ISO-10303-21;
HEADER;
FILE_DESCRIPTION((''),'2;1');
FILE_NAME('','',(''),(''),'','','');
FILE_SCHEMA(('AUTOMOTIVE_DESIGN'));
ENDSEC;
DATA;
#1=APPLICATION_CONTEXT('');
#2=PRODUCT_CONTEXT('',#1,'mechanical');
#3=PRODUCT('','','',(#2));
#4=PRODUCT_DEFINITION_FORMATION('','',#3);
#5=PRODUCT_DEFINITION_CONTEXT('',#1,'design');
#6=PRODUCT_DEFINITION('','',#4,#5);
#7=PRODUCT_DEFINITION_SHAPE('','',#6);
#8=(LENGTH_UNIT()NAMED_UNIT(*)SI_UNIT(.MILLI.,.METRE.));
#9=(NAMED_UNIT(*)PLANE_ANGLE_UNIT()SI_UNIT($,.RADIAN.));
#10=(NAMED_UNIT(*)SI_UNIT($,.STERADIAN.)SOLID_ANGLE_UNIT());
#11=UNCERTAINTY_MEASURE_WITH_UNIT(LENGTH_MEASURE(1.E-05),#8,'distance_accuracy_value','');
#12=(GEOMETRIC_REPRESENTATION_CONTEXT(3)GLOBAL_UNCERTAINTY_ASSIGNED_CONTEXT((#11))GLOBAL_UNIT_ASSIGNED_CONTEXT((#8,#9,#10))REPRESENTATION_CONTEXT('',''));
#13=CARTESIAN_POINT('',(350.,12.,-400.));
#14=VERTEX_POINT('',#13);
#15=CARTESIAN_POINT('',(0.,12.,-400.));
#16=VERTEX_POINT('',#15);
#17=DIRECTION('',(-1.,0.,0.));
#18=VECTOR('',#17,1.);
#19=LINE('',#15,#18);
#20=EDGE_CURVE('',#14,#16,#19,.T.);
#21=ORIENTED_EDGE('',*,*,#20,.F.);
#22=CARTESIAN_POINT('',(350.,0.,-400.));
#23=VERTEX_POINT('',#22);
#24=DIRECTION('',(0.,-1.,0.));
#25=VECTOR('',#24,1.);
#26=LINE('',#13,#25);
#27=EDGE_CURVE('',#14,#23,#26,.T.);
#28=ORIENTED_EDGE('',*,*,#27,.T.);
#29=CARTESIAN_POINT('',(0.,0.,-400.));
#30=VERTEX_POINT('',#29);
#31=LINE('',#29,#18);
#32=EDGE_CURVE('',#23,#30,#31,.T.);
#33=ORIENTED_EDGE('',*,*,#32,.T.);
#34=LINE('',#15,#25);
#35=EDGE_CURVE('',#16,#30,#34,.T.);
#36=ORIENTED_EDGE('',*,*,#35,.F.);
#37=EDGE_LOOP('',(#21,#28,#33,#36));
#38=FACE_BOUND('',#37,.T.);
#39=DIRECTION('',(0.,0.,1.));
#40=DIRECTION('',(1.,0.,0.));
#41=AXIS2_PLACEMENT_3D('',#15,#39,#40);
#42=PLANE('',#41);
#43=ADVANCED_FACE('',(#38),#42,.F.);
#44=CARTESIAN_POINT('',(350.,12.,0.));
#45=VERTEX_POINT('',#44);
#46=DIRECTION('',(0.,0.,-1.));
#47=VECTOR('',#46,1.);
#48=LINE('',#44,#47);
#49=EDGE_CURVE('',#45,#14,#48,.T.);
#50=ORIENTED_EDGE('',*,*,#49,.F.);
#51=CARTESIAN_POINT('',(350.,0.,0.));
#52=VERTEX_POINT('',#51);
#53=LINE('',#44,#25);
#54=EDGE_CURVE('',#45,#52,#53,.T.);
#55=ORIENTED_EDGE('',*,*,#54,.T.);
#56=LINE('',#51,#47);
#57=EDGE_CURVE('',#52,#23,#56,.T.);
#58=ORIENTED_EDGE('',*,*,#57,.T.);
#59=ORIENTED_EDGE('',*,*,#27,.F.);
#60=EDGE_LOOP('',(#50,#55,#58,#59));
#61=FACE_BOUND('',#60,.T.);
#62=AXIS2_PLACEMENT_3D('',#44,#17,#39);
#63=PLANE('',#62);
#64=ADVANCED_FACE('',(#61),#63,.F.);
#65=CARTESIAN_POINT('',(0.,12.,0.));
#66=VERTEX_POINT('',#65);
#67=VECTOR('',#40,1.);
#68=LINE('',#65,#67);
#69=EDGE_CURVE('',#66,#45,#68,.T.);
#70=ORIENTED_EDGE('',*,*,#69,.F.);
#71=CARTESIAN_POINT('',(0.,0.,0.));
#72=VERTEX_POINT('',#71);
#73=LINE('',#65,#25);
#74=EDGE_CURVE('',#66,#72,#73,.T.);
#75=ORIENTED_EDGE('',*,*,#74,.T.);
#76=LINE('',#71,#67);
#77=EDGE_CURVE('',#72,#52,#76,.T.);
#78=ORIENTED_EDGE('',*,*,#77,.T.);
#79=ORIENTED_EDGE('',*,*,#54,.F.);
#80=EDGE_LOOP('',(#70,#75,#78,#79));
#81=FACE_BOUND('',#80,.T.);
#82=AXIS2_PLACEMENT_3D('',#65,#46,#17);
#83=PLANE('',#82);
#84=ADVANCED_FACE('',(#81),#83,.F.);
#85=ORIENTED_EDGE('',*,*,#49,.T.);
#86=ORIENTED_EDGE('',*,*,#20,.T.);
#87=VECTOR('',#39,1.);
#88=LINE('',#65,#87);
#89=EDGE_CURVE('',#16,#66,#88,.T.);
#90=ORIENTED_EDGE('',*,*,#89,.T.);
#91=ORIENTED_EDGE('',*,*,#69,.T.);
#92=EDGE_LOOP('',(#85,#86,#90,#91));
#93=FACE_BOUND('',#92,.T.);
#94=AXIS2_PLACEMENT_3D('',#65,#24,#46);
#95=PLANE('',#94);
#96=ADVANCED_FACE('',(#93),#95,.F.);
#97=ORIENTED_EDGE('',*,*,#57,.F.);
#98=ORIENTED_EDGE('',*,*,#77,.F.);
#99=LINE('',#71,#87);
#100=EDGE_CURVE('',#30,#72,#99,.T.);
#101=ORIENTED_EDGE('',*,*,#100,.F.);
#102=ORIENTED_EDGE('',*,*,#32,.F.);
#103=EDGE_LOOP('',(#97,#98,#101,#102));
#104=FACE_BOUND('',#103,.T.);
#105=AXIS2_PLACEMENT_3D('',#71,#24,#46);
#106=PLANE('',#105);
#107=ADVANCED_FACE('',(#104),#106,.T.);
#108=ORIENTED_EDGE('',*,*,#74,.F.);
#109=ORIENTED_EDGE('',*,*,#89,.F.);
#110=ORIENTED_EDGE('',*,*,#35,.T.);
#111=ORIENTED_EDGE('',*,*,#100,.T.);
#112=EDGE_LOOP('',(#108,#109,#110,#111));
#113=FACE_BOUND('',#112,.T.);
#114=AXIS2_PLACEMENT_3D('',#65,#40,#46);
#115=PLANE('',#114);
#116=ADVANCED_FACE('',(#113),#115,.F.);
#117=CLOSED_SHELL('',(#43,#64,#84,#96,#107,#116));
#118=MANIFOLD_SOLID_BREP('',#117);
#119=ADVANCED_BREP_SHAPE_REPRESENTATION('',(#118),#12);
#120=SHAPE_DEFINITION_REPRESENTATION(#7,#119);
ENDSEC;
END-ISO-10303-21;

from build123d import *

# Parameters (mm, degrees)
SKETCH_1_W      = 350
SKETCH_1_H      = 400
EXTRUDE_1_DEPTH = 12


with BuildPart() as part:
    # 草图1 → 凸台-拉伸1 (new body)
    with BuildSketch(Plane(origin=(0, 0, 0), x_dir=(1, 0, 0), z_dir=(0, 1, 0))):
        with Locations((175, 200)):
            Rectangle(SKETCH_1_W, SKETCH_1_H)
    extrude(amount=EXTRUDE_1_DEPTH)


solid = part.part
